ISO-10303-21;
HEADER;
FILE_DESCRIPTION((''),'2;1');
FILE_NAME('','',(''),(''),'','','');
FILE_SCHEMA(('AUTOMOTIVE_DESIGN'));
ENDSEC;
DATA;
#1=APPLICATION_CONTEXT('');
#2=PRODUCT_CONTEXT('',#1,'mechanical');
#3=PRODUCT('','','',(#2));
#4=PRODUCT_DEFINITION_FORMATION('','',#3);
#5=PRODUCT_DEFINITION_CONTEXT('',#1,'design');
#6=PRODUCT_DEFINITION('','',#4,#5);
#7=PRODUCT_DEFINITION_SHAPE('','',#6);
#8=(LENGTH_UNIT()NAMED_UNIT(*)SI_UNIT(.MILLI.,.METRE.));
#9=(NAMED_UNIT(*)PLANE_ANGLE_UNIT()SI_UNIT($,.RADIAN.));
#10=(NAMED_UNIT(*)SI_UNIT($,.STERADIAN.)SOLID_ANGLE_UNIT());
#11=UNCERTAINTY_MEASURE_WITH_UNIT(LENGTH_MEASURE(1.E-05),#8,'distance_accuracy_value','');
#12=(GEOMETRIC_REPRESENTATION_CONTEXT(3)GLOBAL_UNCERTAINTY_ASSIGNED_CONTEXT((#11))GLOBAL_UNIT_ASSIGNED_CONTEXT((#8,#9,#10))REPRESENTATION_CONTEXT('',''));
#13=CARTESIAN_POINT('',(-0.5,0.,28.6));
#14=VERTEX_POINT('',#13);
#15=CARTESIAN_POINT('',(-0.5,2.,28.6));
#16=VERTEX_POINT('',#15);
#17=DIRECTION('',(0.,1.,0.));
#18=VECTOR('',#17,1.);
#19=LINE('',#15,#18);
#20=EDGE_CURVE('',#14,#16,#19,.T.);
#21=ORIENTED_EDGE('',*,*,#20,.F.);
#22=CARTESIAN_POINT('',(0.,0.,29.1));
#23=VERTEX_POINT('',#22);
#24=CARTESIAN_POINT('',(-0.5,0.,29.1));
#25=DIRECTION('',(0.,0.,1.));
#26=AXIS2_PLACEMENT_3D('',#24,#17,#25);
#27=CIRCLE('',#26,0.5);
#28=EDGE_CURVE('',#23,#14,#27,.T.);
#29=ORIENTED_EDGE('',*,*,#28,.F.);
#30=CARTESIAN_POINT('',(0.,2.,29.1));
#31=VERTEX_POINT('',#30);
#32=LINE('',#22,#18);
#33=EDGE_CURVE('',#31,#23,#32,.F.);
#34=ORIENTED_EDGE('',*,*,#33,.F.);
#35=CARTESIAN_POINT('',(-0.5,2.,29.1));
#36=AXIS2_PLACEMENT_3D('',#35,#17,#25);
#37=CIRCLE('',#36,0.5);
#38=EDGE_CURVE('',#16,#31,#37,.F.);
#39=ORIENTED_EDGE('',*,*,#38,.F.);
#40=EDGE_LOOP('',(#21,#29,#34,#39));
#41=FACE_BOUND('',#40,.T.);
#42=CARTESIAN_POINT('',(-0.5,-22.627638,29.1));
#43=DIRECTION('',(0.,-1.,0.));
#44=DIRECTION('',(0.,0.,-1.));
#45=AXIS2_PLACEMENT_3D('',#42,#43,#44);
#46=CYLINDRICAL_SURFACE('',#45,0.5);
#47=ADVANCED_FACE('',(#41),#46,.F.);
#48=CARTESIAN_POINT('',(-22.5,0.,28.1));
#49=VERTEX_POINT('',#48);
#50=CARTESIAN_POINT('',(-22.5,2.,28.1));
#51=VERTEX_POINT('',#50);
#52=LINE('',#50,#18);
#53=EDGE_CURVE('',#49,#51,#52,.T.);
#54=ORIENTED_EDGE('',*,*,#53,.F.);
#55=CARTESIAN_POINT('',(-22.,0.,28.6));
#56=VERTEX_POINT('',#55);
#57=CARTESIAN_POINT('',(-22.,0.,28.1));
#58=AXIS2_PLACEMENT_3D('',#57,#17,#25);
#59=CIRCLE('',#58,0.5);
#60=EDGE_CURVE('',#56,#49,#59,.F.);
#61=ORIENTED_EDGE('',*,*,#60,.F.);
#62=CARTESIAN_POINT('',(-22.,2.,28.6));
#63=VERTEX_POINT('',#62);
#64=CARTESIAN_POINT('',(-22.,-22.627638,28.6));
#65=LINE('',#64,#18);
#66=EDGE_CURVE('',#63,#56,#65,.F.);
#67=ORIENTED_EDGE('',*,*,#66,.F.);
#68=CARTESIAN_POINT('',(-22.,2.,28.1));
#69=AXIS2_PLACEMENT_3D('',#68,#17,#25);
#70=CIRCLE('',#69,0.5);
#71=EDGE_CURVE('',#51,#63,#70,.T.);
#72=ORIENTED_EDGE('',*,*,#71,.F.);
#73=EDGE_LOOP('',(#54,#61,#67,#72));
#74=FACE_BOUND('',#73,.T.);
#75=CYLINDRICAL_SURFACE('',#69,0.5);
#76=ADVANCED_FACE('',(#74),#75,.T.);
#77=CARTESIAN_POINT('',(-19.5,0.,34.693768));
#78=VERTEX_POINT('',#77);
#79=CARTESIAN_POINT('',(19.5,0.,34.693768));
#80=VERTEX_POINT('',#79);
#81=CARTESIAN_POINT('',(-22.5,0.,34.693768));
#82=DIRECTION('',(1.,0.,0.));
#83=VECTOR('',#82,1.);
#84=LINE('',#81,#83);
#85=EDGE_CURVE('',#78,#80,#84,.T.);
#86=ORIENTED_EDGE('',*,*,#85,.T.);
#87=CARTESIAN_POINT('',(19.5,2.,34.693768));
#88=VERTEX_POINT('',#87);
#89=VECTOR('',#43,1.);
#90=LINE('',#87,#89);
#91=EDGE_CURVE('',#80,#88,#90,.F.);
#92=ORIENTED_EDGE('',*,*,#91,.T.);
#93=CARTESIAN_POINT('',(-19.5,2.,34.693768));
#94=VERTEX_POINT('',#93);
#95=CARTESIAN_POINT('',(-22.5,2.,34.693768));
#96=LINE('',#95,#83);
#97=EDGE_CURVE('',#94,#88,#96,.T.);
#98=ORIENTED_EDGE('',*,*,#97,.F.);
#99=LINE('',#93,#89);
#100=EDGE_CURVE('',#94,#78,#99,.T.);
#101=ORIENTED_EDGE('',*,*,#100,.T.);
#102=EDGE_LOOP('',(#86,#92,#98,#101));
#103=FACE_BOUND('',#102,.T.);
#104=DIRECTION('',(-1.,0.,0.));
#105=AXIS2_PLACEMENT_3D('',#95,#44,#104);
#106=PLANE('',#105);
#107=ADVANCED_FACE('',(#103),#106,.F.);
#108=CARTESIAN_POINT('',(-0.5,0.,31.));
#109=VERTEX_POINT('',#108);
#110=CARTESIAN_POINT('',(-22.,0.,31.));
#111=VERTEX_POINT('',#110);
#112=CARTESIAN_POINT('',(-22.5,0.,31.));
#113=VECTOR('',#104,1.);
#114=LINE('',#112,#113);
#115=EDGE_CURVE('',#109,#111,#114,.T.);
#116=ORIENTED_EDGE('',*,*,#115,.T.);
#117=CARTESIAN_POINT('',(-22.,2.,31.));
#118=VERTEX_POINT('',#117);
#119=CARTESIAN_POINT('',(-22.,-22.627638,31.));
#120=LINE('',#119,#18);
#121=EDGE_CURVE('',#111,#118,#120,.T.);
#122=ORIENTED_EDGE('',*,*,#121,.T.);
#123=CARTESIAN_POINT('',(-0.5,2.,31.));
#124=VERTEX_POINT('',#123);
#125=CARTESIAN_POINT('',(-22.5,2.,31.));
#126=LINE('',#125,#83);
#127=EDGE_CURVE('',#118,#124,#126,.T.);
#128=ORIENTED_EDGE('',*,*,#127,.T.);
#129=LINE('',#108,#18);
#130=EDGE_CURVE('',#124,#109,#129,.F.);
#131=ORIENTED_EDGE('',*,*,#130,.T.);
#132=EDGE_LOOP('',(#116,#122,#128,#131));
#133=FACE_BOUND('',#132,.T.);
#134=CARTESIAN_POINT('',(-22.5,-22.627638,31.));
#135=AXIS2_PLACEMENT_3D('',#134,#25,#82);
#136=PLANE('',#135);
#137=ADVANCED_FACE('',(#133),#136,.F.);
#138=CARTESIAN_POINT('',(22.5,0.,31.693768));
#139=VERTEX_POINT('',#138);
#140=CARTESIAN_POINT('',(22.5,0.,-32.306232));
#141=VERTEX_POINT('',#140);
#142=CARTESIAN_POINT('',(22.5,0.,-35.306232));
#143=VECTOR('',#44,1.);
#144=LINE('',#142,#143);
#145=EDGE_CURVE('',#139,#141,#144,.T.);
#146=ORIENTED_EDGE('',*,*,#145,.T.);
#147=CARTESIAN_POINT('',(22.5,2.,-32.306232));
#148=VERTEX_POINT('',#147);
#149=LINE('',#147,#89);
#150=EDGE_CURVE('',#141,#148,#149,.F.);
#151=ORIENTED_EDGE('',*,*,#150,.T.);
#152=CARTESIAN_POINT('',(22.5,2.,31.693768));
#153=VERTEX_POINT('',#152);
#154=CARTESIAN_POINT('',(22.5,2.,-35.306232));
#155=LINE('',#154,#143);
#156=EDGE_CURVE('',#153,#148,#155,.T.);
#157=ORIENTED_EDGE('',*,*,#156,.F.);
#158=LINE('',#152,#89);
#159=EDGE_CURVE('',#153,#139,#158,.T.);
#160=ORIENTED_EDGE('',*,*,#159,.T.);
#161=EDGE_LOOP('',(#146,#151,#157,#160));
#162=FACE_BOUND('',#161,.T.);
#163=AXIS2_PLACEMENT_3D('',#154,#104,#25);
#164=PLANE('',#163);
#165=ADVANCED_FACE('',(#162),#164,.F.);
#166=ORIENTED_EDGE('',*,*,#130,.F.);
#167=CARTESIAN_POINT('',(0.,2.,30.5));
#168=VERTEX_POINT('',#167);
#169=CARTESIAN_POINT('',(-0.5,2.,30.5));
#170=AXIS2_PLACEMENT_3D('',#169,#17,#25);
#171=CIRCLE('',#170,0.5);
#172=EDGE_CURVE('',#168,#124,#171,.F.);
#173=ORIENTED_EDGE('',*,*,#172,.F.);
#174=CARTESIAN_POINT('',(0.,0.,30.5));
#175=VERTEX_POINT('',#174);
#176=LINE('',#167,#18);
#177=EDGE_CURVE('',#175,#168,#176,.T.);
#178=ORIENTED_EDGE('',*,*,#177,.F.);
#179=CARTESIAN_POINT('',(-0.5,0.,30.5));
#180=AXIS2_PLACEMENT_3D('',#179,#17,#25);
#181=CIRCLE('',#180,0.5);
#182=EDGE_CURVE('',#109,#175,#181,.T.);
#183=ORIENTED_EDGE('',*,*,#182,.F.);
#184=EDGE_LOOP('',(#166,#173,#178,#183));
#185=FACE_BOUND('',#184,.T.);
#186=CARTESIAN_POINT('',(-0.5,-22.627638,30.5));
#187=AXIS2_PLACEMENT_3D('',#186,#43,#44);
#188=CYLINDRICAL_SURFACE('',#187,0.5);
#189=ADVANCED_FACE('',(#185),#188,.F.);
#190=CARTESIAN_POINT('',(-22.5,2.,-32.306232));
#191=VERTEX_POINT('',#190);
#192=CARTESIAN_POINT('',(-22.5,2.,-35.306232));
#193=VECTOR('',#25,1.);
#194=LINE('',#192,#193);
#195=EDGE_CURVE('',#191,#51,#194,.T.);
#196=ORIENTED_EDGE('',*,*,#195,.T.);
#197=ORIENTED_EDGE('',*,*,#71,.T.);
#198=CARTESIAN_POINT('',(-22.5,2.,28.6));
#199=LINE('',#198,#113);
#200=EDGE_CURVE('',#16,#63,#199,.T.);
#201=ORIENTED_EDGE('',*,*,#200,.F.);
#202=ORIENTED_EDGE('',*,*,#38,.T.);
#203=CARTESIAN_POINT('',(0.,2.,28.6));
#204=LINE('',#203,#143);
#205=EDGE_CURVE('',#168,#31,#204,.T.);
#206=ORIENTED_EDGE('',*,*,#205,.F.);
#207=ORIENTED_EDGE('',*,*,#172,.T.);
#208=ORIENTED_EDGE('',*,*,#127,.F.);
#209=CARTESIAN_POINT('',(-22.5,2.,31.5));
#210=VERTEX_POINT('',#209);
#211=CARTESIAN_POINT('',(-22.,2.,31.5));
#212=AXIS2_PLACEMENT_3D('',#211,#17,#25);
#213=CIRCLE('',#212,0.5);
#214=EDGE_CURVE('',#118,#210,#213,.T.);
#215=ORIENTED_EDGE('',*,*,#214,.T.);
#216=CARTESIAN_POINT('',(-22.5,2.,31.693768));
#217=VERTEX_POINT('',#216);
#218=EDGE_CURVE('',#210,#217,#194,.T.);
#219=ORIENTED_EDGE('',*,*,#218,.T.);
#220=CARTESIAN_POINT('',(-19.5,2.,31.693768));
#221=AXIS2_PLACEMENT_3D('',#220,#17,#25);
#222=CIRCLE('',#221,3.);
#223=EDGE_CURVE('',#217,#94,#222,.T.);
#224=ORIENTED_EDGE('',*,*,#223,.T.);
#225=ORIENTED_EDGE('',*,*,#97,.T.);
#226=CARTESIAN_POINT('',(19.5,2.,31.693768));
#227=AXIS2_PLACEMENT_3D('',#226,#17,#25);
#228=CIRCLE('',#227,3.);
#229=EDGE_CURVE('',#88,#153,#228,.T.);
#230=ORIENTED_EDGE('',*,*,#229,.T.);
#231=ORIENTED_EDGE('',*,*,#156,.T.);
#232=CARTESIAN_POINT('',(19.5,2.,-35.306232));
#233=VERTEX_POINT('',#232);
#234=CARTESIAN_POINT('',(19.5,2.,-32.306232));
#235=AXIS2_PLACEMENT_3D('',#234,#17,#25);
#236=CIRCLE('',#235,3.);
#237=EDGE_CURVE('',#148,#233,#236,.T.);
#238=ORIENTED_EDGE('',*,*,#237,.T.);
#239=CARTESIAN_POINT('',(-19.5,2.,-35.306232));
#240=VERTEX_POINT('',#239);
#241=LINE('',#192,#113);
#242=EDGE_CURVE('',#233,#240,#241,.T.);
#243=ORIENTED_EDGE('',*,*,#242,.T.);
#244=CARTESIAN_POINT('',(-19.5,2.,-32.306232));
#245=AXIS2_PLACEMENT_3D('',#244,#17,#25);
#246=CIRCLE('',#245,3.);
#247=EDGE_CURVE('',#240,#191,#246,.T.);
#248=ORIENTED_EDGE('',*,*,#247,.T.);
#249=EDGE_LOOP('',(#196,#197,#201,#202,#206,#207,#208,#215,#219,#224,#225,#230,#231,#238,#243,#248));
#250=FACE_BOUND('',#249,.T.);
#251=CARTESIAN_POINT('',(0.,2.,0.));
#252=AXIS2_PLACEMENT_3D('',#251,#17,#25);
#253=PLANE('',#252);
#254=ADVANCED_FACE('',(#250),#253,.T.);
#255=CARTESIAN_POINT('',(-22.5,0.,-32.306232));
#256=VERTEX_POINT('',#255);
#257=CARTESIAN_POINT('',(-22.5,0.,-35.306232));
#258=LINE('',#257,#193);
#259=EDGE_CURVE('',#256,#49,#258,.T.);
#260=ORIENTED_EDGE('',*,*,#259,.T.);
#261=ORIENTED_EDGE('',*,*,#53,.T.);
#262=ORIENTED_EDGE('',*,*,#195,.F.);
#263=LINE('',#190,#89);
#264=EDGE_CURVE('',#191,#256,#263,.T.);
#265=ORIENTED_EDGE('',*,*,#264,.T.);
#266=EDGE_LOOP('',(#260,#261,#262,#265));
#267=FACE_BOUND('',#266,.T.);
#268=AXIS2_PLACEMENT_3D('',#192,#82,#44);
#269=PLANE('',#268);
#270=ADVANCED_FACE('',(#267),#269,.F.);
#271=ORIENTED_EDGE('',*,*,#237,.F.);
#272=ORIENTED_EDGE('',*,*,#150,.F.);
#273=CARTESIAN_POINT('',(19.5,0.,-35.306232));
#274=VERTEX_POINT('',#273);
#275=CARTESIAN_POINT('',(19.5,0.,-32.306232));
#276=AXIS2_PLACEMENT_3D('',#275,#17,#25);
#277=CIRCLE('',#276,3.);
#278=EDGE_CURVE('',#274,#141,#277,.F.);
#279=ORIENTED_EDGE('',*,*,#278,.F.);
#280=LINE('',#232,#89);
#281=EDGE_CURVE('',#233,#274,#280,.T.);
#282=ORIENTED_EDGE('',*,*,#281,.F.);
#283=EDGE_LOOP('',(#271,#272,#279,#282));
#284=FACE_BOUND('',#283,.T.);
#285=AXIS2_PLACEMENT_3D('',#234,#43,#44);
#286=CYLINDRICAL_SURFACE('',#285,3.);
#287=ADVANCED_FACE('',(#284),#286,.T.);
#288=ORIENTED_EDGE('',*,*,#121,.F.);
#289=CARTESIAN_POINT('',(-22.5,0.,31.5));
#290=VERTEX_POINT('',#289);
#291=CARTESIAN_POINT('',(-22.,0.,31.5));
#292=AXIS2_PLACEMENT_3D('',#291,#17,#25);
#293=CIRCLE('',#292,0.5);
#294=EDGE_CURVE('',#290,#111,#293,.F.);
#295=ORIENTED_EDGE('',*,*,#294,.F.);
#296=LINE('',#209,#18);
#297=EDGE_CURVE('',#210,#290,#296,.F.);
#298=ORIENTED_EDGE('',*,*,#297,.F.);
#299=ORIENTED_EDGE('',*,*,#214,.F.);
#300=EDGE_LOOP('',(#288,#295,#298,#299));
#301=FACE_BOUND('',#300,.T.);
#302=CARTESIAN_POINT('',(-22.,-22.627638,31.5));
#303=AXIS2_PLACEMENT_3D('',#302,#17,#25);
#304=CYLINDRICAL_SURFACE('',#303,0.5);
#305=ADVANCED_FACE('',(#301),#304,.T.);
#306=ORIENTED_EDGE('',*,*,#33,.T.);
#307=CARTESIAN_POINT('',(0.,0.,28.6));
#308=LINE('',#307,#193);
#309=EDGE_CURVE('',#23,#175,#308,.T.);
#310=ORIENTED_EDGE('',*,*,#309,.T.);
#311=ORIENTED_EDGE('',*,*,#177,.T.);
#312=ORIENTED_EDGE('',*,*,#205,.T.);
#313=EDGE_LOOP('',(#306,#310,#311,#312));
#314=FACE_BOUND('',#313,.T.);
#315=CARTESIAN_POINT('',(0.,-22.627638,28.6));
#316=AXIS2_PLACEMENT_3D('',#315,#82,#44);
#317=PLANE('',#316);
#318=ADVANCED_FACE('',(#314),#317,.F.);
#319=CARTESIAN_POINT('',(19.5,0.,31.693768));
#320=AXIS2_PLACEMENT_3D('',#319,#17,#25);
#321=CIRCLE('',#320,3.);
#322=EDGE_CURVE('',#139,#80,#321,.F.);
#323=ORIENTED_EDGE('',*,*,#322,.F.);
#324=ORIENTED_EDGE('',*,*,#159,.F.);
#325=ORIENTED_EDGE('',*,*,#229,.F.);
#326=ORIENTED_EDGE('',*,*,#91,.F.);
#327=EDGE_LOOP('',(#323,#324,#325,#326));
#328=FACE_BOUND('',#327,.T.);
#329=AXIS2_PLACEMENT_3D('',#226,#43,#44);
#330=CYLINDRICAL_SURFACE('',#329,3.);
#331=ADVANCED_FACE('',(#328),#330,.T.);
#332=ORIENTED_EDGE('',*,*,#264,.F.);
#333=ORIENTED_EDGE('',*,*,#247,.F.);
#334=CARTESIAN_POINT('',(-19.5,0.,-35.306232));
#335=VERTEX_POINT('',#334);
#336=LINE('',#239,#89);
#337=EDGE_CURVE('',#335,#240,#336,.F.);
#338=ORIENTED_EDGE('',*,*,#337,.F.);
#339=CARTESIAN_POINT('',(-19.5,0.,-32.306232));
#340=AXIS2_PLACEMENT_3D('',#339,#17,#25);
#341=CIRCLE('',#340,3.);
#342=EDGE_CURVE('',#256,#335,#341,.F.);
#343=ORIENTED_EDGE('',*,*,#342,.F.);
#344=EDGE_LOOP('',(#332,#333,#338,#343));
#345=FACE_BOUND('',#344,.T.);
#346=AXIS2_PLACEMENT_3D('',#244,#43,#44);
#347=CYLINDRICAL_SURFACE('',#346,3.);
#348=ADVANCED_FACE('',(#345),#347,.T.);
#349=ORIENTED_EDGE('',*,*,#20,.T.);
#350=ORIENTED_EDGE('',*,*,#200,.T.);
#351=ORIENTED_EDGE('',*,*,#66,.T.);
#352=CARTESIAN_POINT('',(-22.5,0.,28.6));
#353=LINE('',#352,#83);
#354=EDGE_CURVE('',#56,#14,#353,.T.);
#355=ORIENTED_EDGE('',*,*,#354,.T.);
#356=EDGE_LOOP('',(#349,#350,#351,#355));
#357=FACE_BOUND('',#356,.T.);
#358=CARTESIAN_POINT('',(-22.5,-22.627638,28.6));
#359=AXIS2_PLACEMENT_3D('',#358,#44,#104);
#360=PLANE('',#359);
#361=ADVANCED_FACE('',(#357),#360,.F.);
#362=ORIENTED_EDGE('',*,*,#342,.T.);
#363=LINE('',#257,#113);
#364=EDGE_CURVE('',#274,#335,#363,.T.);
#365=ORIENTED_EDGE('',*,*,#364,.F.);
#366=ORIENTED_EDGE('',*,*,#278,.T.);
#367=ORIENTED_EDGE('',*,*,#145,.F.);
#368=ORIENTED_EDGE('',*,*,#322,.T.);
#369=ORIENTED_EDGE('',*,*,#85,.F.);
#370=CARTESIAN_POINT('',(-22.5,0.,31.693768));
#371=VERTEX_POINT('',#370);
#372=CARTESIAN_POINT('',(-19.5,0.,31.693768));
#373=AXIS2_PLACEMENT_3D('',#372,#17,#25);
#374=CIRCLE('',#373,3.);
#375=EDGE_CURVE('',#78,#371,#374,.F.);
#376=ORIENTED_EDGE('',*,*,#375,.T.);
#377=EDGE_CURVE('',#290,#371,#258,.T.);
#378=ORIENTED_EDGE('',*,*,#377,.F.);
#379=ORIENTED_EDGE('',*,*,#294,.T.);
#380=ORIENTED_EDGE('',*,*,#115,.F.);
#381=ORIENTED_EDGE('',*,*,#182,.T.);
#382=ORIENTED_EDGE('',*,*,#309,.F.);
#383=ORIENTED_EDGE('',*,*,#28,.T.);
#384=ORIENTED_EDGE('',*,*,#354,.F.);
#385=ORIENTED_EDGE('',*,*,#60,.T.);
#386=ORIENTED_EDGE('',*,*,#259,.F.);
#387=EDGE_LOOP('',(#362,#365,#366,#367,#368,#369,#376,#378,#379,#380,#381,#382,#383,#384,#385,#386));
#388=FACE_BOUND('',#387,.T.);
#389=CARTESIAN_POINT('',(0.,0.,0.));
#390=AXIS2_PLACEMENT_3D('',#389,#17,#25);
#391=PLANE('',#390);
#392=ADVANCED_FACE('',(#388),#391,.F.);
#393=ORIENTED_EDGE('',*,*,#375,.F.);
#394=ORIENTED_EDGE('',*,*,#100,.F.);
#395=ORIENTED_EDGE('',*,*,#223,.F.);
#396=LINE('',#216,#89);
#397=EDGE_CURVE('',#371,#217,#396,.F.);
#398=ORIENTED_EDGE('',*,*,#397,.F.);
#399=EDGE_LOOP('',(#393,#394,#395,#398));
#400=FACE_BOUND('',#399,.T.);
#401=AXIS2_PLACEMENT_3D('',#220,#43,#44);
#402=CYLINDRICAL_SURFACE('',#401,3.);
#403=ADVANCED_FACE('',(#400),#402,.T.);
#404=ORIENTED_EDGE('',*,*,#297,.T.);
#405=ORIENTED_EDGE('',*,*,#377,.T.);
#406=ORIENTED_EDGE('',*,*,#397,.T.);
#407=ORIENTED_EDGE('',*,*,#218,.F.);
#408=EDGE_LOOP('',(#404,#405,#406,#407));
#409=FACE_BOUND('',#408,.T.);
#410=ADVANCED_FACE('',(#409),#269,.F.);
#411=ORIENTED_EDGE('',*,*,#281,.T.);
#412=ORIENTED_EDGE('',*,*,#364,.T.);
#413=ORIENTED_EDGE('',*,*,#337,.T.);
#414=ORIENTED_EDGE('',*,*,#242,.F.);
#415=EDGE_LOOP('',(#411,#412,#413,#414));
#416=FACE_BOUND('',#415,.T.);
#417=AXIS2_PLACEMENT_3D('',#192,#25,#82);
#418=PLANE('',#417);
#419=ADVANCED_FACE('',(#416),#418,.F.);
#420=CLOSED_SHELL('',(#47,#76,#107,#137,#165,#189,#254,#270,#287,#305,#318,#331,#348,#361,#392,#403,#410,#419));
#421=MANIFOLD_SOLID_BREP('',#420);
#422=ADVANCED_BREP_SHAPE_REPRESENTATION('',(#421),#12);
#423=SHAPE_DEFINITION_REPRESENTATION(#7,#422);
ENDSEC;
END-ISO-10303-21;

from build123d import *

# Parameters (mm, degrees)
CROQUIS1_W              = 45
CROQUIS1_H              = 70
SALIENTE_EXTRUIR1_DEPTH = 2
CROQUIS2_W              = 22.5
CROQUIS2_H              = 2.4
CORTAR_EXTRUIR1_DEPTH   = 2
REDONDEO1_R             = 3
REDONDEO2_R             = 0.5


with BuildPart() as part:
    # Croquis1 → Saliente-Extruir1 (new body)
    with BuildSketch(Plane(origin=(0, 0, 0), x_dir=(1, 0, 0), z_dir=(0, 1, 0))):
        with Locations((0, 0.306231574)):
            Rectangle(CROQUIS1_W, CROQUIS1_H)
    extrude(amount=SALIENTE_EXTRUIR1_DEPTH)

    # Croquis2 → Cortar-Extruir1 (cut)
    with BuildSketch(Plane(origin=(0, 2, 0), x_dir=(1, 0, 0), z_dir=(0, 1, 0))):
        with Locations((-11.25, -29.8)):
            Rectangle(CROQUIS2_W, CROQUIS2_H)
    extrude(amount=-CORTAR_EXTRUIR1_DEPTH, mode=Mode.SUBTRACT)

    # Redondeo1
    redondeo1_edges = [part.edges().sort_by_distance(p)[0] for p in [
        (-22.5, 1, -35.306231574),
        (22.5, 1, -35.306231574),
        (22.5, 1, 34.693768426),
        (-22.5, 1, 34.693768426),
    ]]
    fillet(redondeo1_edges, radius=REDONDEO1_R)

    # Redondeo2
    redondeo2_edges = [part.edges().sort_by_distance(p)[0] for p in [
        (-22.5, 1, 31),
        (-22.5, 1, 28.6),
        (0, 1, 28.6),
        (0, 1, 31),
    ]]
    fillet(redondeo2_edges, radius=REDONDEO2_R)


solid = part.part
